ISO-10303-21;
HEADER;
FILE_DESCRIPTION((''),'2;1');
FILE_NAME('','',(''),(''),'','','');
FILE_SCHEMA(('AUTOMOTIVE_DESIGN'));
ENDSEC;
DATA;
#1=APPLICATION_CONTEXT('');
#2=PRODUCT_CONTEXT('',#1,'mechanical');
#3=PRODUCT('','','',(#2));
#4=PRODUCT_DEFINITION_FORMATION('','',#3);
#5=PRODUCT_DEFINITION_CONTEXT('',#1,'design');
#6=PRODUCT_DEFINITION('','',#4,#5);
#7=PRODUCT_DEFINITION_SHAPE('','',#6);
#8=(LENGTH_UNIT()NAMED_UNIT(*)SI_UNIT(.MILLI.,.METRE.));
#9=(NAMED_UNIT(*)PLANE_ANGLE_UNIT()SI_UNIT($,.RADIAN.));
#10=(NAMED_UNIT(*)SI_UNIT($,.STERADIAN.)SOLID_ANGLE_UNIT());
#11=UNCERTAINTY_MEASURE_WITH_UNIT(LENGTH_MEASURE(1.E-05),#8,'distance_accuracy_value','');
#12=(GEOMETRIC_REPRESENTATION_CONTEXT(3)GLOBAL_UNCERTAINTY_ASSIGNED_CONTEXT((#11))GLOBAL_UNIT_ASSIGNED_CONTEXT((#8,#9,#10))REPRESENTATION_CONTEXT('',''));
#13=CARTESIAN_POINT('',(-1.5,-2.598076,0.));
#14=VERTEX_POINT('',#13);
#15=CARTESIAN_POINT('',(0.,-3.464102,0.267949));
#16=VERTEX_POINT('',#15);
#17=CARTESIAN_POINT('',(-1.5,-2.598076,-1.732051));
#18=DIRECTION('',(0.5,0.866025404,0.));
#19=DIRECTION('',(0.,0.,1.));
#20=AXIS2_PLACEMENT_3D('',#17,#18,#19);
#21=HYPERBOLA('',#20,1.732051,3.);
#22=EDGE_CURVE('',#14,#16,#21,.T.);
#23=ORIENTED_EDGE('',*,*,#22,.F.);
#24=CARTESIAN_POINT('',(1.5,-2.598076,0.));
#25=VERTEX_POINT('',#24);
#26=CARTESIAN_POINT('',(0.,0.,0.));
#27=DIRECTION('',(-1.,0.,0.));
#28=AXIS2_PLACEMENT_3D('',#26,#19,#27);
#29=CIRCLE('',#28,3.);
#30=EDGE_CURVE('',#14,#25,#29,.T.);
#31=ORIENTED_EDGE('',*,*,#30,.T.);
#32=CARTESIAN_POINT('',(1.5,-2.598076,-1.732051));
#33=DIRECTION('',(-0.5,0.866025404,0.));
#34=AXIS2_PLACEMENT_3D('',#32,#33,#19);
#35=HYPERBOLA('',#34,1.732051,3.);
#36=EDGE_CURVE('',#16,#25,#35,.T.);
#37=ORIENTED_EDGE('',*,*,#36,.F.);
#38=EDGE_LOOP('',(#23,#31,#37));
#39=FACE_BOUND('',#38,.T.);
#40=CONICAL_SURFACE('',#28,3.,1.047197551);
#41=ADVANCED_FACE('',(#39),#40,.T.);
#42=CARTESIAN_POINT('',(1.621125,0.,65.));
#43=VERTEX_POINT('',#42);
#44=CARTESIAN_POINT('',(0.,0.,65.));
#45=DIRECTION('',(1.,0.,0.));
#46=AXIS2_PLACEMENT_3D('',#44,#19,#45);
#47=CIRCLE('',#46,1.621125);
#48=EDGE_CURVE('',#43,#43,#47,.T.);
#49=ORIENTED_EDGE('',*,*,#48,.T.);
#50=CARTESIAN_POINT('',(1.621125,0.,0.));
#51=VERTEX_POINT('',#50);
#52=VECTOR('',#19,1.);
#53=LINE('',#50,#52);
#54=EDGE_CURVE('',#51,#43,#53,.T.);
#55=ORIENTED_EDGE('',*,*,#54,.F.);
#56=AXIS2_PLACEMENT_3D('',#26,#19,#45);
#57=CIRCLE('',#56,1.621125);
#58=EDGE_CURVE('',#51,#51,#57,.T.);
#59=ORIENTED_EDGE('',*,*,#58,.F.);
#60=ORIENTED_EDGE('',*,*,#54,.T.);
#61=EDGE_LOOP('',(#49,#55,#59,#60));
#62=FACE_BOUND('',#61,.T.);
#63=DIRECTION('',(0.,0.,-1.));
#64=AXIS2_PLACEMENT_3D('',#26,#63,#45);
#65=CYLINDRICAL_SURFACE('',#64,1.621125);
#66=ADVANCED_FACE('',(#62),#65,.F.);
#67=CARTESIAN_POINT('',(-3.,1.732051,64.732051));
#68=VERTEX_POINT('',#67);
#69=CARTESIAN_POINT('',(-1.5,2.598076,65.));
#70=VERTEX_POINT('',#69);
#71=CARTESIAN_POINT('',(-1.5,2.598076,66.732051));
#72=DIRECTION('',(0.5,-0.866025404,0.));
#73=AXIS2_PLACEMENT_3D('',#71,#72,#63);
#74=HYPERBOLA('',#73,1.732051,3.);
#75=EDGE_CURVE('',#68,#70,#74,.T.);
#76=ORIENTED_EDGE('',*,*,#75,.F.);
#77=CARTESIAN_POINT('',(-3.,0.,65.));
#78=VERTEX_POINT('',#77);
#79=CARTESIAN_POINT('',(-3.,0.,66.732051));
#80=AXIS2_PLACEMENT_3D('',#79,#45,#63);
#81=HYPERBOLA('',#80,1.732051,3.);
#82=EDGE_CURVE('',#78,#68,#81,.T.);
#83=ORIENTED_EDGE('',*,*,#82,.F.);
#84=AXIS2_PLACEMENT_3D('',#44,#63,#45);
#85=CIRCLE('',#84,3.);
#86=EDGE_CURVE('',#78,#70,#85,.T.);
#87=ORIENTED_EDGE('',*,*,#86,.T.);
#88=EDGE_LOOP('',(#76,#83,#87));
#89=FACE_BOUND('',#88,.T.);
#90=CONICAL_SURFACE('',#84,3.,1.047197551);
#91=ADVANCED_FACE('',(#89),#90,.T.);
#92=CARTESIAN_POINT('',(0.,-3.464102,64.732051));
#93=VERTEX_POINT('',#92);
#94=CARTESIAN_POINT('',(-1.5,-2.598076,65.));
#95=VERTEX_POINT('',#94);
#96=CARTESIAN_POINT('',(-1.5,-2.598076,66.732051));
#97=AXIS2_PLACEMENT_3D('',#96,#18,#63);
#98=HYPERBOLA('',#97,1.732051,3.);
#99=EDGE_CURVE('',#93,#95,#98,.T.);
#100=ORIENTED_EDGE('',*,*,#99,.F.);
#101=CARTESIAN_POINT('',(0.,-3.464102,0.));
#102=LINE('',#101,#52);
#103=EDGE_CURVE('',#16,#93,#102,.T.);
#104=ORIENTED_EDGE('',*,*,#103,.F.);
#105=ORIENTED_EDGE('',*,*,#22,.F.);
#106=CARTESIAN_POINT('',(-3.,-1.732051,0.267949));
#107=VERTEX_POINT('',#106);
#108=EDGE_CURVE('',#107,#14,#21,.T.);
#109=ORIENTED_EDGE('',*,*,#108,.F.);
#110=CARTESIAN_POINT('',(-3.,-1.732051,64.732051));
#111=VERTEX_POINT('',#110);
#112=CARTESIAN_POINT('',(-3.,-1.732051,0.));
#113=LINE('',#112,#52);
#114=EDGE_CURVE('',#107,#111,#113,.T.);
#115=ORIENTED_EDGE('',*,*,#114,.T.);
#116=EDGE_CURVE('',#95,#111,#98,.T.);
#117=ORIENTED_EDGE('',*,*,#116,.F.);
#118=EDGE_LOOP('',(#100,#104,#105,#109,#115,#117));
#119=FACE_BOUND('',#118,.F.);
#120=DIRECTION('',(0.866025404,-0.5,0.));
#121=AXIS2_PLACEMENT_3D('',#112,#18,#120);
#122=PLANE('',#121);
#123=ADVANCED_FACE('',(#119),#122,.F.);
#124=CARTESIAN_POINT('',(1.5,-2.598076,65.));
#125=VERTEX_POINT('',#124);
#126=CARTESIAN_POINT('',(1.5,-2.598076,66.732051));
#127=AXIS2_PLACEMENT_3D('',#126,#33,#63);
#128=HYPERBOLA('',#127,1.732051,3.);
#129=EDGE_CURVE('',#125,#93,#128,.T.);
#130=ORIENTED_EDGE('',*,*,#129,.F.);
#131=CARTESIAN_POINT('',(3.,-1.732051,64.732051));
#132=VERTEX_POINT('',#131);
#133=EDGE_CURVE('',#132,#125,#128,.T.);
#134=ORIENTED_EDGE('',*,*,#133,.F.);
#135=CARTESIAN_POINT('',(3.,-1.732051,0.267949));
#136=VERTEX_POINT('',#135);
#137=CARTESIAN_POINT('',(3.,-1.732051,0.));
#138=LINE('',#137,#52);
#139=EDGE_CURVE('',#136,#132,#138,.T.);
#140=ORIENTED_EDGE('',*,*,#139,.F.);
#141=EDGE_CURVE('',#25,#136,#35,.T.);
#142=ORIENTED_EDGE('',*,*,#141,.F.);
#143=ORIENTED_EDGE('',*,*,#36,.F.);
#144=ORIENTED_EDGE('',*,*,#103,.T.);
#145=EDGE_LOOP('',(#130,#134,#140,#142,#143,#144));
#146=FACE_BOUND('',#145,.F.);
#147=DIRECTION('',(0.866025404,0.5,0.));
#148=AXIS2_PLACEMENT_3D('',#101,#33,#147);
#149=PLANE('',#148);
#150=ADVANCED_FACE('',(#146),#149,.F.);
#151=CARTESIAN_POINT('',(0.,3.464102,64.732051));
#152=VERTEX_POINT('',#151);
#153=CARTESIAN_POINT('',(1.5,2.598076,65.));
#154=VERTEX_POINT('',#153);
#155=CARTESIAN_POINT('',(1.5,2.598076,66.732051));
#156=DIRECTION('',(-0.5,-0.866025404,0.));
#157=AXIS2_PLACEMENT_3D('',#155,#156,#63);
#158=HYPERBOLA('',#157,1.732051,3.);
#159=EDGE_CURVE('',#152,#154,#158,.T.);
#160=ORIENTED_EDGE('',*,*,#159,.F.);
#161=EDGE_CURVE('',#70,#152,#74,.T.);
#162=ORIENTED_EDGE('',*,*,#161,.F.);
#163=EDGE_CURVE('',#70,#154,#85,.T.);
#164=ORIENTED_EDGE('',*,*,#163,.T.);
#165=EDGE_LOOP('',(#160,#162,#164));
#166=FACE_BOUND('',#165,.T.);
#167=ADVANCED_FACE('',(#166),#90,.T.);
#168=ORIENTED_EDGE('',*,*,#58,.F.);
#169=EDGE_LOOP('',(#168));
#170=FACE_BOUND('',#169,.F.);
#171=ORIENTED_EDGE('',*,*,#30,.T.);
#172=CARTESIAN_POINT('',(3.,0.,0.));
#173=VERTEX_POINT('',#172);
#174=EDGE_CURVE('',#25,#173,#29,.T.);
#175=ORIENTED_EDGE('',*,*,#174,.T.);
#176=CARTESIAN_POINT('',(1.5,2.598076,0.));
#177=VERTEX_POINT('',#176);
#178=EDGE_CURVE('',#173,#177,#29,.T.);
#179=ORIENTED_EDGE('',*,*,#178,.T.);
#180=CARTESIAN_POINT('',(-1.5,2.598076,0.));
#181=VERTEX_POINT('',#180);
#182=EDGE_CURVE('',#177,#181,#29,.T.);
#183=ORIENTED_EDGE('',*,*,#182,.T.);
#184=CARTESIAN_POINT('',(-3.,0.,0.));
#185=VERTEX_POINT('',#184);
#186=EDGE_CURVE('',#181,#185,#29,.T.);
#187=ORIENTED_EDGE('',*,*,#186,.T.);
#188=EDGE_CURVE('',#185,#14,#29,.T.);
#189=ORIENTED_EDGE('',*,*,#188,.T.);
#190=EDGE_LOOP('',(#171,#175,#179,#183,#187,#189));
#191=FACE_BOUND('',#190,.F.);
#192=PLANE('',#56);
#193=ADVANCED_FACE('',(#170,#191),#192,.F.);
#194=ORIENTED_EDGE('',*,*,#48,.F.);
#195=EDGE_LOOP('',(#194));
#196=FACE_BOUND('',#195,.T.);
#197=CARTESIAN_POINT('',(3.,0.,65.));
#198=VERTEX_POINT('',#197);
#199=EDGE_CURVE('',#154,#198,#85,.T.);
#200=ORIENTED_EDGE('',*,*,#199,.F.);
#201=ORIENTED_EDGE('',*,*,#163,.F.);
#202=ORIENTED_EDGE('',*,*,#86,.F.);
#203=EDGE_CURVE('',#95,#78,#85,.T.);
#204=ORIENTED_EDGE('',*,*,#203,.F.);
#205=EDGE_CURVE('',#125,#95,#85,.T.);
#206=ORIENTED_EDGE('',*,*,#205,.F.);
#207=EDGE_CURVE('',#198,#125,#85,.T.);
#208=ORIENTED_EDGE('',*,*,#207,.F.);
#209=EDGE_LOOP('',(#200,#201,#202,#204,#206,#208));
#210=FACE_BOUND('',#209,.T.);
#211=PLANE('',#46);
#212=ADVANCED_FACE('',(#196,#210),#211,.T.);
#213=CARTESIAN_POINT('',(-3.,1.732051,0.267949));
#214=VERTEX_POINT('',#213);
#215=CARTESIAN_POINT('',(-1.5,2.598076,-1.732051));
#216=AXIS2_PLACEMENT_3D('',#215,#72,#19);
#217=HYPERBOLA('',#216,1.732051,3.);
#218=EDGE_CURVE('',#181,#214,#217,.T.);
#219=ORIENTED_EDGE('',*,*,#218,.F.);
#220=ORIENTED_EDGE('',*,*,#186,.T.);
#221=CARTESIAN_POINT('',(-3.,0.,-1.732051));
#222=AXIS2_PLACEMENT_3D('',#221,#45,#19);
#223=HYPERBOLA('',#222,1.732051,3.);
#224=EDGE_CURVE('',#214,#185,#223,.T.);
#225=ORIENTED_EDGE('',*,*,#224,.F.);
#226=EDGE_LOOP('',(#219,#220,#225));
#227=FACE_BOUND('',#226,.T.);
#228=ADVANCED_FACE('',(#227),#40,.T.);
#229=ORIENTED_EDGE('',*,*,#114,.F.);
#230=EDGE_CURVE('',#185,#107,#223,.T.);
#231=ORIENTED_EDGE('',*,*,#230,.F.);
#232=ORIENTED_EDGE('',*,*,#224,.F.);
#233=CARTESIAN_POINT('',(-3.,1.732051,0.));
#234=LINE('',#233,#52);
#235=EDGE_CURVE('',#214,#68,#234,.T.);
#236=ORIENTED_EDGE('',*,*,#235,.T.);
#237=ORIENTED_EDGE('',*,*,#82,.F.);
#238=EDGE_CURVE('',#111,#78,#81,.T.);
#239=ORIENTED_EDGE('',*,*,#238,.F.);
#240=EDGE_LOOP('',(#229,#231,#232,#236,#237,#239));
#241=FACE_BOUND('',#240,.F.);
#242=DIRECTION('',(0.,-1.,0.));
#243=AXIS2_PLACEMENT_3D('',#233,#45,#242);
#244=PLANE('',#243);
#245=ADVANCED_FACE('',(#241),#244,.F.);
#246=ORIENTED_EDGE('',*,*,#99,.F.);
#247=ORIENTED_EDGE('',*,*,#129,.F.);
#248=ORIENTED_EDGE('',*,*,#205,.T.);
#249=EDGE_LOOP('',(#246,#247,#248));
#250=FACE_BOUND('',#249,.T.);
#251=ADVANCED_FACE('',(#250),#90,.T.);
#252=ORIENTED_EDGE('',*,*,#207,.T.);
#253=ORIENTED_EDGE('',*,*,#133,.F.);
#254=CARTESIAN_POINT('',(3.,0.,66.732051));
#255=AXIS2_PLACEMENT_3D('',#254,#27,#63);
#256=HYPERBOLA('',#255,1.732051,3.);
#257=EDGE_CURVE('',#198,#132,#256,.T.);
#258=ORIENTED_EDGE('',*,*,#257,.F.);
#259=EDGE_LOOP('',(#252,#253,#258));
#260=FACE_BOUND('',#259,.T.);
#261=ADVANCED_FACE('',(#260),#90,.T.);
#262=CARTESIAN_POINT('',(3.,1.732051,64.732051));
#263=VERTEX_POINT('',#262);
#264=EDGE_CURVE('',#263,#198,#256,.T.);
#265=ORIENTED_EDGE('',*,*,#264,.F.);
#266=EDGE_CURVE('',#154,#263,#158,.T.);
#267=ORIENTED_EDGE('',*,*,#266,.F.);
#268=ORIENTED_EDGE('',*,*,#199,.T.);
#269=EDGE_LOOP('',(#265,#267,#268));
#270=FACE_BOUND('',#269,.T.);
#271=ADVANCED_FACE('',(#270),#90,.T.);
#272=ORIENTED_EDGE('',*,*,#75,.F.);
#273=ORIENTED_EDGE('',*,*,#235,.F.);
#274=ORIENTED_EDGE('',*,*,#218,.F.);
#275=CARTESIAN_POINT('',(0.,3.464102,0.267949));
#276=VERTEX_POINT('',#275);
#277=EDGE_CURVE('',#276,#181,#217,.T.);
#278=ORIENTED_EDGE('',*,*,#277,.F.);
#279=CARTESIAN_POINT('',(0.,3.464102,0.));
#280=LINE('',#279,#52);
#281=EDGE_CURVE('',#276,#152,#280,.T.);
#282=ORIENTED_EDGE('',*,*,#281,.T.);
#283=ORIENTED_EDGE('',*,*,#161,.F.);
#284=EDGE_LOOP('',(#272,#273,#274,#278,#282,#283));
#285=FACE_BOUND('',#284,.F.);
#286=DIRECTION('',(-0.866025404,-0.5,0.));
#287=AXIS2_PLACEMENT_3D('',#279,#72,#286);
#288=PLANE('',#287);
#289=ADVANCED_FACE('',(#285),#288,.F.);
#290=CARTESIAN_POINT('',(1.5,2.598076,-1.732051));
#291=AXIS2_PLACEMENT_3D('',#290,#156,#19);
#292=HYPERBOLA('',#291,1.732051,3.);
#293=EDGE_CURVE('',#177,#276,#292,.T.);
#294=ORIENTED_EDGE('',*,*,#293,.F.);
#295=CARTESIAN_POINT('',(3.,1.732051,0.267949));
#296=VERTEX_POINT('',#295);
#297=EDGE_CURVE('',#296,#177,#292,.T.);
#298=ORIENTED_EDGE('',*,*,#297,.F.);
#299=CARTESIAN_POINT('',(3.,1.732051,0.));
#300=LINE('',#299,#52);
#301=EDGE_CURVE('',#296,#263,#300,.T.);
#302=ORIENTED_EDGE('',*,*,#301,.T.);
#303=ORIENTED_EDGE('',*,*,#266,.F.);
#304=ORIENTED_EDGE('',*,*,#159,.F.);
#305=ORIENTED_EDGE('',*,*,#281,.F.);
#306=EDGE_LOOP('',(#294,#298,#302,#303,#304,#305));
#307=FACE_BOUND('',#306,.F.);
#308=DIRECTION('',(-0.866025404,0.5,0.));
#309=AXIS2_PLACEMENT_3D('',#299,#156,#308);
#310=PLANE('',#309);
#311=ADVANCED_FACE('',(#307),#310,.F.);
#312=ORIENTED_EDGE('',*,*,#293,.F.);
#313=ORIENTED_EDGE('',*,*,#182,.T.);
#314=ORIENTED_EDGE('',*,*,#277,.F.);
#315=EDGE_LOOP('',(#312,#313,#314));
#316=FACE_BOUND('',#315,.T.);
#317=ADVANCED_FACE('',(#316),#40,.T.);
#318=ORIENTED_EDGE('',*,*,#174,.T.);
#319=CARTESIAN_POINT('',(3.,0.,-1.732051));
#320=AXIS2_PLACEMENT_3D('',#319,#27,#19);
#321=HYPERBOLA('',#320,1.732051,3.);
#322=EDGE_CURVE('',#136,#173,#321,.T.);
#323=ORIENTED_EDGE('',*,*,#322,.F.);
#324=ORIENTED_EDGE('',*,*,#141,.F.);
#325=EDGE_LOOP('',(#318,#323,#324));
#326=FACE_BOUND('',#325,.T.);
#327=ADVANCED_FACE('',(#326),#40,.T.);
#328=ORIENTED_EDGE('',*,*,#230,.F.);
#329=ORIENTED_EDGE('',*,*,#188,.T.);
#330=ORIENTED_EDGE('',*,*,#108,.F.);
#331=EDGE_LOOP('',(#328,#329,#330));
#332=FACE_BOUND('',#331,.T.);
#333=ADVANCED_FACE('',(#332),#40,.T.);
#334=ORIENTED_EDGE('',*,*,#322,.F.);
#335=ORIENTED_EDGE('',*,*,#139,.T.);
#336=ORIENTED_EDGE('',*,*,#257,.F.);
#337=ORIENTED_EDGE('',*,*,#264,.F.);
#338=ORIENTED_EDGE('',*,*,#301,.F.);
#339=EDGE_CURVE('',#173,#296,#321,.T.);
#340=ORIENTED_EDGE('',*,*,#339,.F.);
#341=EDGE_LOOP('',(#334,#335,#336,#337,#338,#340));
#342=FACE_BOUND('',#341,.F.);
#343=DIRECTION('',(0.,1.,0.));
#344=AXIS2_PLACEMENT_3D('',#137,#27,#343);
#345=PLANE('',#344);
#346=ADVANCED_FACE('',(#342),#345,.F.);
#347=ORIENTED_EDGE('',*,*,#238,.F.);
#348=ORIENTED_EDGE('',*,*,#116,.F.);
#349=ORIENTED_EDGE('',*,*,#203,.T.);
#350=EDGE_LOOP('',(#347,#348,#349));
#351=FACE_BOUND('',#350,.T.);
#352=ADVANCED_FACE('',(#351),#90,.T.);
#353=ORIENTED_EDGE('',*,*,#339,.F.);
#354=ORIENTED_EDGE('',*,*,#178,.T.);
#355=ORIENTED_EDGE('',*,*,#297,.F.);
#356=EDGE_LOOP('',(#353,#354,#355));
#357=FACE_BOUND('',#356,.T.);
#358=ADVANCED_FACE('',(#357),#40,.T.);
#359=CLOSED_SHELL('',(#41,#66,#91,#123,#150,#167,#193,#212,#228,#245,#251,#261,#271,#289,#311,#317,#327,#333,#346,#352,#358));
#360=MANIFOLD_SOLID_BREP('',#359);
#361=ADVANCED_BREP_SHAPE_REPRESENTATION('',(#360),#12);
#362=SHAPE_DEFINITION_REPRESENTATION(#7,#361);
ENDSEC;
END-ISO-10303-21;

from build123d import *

# Parameters (mm, degrees)
SKETCH_1_R          = 1.621125
EXTRUDE_700_DEPTH   = 65
SKETCH_2_OUTSIDE_W  = 249.76
SKETCH_2_OUTSIDE_H  = 250.688
SKETCH_2_OUTSIDE_R  = 3
CUT_EXTRUDE_1_DEPTH = 66
CUT_EXTRUDE_1_TAPER = 60
SKETCH_3_OUTSIDE_W  = 249.76
SKETCH_3_OUTSIDE_H  = 250.688
SKETCH_3_OUTSIDE_R  = 3
CUT_EXTRUDE_2_DEPTH = 66
CUT_EXTRUDE_2_TAPER = 60


with BuildPart() as part:
    # 草图1 → Extrude 700 (new body)
    with BuildSketch(Plane.XY):
        Polygon((0, 3.464101615), (-3, 1.732050808), (-3, -1.732050808), (0, -3.464101615), (3, -1.732050808), (3, 1.732050808), align=None)
        Circle(SKETCH_1_R, mode=Mode.SUBTRACT)
    extrude(amount=EXTRUDE_700_DEPTH)

    # 草图2 outside → 切除-拉伸1 (cut, through all)
    with BuildSketch(Plane(origin=(0, 0, 0), x_dir=(-1, 0, 0), z_dir=(0, 0, -1))):
        Rectangle(SKETCH_2_OUTSIDE_W, SKETCH_2_OUTSIDE_H)
        Circle(SKETCH_2_OUTSIDE_R, mode=Mode.SUBTRACT)
    extrude(amount=-CUT_EXTRUDE_1_DEPTH, taper=CUT_EXTRUDE_1_TAPER, mode=Mode.SUBTRACT)

    # 草图3 outside → 切除-拉伸2 (cut, through all)
    with BuildSketch(Plane.XY.offset(65)):
        Rectangle(SKETCH_3_OUTSIDE_W, SKETCH_3_OUTSIDE_H)
        Circle(SKETCH_3_OUTSIDE_R, mode=Mode.SUBTRACT)
    extrude(amount=-CUT_EXTRUDE_2_DEPTH, taper=CUT_EXTRUDE_2_TAPER, mode=Mode.SUBTRACT)


solid = part.part
